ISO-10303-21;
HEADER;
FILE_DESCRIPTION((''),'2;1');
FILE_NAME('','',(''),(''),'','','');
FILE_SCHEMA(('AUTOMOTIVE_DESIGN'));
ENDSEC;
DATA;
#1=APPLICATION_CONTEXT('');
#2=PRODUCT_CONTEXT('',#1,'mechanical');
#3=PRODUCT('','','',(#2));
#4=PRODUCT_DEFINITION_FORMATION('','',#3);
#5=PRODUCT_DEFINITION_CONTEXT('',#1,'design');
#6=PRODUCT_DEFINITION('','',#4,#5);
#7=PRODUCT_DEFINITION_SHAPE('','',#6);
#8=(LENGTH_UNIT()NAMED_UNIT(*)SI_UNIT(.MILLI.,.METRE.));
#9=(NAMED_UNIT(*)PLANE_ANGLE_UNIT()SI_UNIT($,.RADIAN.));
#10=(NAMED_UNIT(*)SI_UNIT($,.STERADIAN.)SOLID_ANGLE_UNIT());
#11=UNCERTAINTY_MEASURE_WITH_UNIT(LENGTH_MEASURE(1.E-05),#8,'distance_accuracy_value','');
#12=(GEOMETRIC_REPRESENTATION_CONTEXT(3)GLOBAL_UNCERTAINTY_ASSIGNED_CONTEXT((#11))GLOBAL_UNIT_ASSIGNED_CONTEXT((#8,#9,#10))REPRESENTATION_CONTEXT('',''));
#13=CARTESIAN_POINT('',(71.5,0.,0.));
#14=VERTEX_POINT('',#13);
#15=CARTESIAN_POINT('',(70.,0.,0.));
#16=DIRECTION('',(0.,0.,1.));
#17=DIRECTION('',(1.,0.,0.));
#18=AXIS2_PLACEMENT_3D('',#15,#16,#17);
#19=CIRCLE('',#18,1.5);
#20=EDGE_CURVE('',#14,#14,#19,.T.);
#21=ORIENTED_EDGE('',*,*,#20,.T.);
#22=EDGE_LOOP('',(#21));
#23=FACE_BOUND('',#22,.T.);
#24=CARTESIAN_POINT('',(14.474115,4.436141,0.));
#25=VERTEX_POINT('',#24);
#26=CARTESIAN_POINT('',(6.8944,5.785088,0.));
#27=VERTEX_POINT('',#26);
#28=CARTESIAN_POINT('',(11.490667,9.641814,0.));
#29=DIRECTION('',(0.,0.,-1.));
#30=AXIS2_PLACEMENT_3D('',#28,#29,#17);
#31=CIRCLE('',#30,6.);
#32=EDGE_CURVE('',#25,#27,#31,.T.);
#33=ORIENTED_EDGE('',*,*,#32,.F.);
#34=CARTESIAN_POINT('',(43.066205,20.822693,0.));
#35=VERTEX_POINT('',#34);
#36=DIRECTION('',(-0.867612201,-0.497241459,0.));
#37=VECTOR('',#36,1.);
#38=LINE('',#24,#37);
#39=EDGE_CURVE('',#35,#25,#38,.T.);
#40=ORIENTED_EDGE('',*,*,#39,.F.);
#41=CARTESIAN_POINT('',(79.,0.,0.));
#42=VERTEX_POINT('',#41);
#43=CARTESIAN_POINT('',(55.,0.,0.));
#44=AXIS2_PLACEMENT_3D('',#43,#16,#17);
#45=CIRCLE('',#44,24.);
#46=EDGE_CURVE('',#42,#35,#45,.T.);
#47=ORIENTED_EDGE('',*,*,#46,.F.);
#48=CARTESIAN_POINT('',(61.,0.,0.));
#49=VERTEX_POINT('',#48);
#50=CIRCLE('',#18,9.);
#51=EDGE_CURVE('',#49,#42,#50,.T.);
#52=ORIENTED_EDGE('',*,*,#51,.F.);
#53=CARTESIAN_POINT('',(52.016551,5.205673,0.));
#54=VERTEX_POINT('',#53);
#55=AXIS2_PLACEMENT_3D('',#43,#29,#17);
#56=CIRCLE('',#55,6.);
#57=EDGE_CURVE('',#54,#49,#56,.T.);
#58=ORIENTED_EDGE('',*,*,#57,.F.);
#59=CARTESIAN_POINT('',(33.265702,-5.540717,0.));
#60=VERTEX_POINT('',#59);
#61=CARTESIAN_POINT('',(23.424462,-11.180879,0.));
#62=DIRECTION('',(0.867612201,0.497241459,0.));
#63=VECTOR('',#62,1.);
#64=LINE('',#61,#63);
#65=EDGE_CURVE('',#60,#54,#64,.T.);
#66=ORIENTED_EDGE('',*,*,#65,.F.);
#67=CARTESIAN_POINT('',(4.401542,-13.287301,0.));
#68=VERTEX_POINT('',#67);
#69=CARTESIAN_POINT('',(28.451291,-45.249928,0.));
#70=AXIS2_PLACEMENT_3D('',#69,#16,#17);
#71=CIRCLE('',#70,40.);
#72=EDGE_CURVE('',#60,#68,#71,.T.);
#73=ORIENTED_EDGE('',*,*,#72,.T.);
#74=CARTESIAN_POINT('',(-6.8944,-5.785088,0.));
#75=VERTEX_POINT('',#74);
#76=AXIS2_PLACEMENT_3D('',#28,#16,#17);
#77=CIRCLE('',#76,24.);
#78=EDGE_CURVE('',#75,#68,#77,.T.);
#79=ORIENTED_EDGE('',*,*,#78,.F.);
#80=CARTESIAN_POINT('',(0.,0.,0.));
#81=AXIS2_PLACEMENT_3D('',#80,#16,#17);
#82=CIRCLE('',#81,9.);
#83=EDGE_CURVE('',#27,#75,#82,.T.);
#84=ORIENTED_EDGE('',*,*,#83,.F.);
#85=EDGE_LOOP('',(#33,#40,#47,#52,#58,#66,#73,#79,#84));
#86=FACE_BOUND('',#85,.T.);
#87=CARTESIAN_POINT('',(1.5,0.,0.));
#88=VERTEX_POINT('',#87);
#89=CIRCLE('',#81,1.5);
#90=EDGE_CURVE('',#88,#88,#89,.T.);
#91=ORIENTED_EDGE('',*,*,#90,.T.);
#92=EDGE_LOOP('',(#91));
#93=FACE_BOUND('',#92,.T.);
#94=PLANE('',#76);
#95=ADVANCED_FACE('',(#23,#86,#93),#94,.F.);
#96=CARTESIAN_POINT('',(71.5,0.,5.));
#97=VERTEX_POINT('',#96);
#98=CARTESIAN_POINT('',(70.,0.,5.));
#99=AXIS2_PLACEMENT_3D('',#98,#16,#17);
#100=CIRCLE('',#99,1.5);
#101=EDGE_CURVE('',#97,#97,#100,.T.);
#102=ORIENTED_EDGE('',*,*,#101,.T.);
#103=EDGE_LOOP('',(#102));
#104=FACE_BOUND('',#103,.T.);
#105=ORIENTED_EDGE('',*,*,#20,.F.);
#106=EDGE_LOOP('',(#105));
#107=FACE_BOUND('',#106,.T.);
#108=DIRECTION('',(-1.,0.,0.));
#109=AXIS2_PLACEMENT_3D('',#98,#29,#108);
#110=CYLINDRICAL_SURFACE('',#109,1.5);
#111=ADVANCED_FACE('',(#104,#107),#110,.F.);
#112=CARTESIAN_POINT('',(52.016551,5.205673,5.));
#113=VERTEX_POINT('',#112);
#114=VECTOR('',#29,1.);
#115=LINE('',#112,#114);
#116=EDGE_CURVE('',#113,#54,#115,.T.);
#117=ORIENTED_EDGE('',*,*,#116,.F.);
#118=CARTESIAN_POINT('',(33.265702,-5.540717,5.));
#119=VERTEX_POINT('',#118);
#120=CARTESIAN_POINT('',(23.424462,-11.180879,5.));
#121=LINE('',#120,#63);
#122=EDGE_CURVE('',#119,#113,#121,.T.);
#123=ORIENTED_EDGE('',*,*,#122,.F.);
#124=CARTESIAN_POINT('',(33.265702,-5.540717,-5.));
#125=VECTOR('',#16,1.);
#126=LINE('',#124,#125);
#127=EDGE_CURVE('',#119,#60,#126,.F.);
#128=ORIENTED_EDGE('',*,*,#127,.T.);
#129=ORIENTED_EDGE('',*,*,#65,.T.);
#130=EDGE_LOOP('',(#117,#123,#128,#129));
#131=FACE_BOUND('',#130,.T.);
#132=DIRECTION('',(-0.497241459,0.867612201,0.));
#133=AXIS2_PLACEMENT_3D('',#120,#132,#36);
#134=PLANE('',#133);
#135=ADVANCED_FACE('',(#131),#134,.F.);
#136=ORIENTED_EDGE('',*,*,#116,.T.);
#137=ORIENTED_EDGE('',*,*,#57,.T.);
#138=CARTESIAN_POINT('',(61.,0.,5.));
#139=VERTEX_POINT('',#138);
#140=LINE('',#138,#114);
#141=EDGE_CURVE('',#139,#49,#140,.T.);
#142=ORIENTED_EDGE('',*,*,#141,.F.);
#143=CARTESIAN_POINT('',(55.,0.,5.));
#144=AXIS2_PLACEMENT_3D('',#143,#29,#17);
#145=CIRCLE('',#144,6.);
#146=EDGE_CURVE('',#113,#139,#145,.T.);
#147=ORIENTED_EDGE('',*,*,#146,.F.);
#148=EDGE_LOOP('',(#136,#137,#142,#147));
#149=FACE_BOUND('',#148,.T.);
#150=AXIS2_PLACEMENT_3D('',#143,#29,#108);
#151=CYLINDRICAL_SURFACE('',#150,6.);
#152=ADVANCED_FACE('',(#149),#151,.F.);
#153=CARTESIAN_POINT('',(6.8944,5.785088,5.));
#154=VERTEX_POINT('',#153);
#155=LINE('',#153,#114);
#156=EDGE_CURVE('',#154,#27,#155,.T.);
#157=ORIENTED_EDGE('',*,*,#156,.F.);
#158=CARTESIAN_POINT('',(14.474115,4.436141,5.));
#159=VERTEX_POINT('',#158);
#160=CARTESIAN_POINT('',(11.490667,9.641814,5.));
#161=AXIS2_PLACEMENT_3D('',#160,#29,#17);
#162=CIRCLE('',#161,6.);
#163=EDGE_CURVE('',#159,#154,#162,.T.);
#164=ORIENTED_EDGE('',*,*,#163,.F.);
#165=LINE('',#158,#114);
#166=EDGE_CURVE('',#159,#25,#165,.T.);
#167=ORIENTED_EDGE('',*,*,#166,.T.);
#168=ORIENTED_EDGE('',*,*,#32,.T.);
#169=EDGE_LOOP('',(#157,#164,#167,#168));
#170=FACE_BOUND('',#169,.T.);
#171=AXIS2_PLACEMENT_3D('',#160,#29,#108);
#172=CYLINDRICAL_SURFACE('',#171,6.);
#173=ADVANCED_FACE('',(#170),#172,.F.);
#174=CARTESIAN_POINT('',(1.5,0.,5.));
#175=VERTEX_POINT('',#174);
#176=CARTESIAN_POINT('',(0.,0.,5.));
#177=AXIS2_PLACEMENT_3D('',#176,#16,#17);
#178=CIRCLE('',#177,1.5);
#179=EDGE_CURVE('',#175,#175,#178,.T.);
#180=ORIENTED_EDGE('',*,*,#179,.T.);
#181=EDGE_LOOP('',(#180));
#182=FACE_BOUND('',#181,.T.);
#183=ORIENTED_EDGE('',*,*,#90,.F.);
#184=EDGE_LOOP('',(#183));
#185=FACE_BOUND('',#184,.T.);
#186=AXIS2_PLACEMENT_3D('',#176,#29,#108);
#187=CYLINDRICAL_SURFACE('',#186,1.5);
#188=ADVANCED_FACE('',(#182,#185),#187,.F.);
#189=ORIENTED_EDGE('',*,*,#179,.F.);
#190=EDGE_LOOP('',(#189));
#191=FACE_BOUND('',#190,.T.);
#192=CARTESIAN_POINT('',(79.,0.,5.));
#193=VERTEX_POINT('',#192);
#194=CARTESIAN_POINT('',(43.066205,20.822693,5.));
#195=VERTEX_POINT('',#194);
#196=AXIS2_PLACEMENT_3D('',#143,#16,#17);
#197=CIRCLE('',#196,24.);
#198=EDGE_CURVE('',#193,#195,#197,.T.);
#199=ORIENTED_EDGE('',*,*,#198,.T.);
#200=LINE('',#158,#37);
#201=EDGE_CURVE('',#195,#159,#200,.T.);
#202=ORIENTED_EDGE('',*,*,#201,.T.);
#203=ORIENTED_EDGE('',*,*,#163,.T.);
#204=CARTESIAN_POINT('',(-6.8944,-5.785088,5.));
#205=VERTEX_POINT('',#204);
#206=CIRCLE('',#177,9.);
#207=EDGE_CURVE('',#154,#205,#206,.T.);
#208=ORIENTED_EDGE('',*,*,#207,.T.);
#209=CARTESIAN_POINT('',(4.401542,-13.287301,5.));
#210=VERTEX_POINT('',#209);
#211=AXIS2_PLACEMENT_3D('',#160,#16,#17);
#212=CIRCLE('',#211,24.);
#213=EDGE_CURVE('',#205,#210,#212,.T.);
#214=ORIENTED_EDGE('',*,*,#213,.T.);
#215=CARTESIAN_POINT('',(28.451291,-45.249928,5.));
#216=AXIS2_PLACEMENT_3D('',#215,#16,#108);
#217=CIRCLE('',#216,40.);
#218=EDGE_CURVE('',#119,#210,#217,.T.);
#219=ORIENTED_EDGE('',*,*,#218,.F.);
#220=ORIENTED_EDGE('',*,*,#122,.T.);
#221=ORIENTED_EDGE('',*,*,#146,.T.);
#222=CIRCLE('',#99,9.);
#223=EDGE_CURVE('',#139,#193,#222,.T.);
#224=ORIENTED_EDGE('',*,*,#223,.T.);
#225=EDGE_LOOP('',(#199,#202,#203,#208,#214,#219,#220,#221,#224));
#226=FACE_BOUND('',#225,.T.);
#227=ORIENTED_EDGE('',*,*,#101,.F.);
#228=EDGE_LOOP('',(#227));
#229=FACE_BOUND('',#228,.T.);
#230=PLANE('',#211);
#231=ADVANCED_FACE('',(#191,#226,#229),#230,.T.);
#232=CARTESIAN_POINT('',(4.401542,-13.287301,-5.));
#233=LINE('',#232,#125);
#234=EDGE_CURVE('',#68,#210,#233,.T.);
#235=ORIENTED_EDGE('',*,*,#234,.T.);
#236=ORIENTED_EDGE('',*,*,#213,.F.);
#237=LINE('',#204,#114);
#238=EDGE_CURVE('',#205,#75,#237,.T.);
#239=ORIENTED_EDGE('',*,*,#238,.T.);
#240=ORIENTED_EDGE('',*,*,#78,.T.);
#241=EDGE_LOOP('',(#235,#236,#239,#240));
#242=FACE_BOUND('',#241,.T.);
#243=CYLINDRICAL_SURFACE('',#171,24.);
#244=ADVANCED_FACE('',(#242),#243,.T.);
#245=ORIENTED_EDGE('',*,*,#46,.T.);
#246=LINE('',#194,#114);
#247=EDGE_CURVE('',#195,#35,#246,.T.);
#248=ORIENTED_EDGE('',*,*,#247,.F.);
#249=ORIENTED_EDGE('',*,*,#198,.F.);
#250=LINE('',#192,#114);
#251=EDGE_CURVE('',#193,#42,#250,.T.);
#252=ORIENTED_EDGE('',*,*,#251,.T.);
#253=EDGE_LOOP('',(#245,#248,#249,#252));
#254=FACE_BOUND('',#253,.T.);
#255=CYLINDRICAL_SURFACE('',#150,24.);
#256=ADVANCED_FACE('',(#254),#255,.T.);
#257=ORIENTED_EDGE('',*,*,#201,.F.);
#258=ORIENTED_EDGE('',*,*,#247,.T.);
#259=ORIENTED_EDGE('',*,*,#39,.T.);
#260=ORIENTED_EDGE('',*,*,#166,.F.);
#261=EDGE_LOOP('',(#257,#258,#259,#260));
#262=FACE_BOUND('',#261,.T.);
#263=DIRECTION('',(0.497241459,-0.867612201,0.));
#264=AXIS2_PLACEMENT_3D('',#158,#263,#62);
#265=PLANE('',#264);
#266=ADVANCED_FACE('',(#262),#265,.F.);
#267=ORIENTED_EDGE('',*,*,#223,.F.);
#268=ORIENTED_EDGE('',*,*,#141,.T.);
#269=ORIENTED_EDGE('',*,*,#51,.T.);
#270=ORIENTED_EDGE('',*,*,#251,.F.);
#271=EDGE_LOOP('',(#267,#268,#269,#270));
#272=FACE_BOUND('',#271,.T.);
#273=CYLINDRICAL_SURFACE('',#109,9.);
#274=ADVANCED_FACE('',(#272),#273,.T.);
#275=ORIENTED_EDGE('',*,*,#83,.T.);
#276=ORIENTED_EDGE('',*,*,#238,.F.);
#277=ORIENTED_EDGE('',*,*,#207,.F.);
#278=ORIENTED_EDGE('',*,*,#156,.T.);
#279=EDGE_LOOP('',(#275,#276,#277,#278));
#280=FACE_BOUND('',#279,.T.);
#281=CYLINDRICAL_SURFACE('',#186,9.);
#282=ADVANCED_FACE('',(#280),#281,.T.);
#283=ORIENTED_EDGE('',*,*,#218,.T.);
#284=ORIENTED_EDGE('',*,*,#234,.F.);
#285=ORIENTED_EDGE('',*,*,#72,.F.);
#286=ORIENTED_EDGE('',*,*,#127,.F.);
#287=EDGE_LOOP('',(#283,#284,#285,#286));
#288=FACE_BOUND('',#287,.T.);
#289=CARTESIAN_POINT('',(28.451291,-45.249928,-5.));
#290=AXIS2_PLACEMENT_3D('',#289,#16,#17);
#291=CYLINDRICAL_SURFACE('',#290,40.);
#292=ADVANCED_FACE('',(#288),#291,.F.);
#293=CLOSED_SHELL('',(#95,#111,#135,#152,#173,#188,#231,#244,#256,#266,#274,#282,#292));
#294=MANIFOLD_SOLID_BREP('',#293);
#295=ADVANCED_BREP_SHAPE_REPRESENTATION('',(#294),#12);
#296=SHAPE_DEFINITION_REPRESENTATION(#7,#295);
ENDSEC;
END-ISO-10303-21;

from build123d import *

# Parameters (mm, degrees)
ESQUISSE1_R             = 1.5
BOSS_EXTRU_1_DEPTH      = 5
ENL_V_MAT_EXTRU_1_DEPTH = 10


with BuildPart() as part:
    # Esquisse1 → Boss.-Extru.1 (new body)
    with BuildSketch(Plane.XY):
        with BuildLine():
            Line((14.474115402, 4.43614094), (43.066204977, 20.822692822))
            ThreePointArc((43.066204977, 20.822692822), (67.033056957, 20.765489165), (79, 0))
            ThreePointArc((79, 0), (70, -9), (61, 0))
            ThreePointArc((61, 0), (58.008264239, 5.191372291), (52.016551244, 5.205673206))
            Line((52.016551244, 5.205673206), (23.424461669, -11.180878677))
            ThreePointArc((23.424461669, -11.180878677), (7.285507399, -13.986910655), (-6.894399988, -5.785088487))
            ThreePointArc((-6.894399988, -5.785088487), (-5.785088487, 6.894399988), (6.894399988, 5.785088487))
            ThreePointArc((6.894399988, 5.785088487), (10.439376835, 3.734632945), (14.474115402, 4.43614094))
        make_face()
        with Locations((70, 0)):
            Circle(ESQUISSE1_R, mode=Mode.SUBTRACT)
        Circle(ESQUISSE1_R, mode=Mode.SUBTRACT)
    extrude(amount=BOSS_EXTRU_1_DEPTH)

    # Esquisse2 → Enlèv. mat.-Extru.1 (cut)
    with BuildSketch(Plane.XY.offset(5)):
        with BuildLine():
            ThreePointArc((4.401541671, -13.287300689), (18.082976377, -6.617066031), (33.265702076, -5.540717398))
            ThreePointArc((33.265702076, -5.540717398), (20.118574556, -14.201807608), (4.401541671, -13.287300689))
        make_face()
    extrude(amount=-ENL_V_MAT_EXTRU_1_DEPTH, mode=Mode.SUBTRACT)


solid = part.part
